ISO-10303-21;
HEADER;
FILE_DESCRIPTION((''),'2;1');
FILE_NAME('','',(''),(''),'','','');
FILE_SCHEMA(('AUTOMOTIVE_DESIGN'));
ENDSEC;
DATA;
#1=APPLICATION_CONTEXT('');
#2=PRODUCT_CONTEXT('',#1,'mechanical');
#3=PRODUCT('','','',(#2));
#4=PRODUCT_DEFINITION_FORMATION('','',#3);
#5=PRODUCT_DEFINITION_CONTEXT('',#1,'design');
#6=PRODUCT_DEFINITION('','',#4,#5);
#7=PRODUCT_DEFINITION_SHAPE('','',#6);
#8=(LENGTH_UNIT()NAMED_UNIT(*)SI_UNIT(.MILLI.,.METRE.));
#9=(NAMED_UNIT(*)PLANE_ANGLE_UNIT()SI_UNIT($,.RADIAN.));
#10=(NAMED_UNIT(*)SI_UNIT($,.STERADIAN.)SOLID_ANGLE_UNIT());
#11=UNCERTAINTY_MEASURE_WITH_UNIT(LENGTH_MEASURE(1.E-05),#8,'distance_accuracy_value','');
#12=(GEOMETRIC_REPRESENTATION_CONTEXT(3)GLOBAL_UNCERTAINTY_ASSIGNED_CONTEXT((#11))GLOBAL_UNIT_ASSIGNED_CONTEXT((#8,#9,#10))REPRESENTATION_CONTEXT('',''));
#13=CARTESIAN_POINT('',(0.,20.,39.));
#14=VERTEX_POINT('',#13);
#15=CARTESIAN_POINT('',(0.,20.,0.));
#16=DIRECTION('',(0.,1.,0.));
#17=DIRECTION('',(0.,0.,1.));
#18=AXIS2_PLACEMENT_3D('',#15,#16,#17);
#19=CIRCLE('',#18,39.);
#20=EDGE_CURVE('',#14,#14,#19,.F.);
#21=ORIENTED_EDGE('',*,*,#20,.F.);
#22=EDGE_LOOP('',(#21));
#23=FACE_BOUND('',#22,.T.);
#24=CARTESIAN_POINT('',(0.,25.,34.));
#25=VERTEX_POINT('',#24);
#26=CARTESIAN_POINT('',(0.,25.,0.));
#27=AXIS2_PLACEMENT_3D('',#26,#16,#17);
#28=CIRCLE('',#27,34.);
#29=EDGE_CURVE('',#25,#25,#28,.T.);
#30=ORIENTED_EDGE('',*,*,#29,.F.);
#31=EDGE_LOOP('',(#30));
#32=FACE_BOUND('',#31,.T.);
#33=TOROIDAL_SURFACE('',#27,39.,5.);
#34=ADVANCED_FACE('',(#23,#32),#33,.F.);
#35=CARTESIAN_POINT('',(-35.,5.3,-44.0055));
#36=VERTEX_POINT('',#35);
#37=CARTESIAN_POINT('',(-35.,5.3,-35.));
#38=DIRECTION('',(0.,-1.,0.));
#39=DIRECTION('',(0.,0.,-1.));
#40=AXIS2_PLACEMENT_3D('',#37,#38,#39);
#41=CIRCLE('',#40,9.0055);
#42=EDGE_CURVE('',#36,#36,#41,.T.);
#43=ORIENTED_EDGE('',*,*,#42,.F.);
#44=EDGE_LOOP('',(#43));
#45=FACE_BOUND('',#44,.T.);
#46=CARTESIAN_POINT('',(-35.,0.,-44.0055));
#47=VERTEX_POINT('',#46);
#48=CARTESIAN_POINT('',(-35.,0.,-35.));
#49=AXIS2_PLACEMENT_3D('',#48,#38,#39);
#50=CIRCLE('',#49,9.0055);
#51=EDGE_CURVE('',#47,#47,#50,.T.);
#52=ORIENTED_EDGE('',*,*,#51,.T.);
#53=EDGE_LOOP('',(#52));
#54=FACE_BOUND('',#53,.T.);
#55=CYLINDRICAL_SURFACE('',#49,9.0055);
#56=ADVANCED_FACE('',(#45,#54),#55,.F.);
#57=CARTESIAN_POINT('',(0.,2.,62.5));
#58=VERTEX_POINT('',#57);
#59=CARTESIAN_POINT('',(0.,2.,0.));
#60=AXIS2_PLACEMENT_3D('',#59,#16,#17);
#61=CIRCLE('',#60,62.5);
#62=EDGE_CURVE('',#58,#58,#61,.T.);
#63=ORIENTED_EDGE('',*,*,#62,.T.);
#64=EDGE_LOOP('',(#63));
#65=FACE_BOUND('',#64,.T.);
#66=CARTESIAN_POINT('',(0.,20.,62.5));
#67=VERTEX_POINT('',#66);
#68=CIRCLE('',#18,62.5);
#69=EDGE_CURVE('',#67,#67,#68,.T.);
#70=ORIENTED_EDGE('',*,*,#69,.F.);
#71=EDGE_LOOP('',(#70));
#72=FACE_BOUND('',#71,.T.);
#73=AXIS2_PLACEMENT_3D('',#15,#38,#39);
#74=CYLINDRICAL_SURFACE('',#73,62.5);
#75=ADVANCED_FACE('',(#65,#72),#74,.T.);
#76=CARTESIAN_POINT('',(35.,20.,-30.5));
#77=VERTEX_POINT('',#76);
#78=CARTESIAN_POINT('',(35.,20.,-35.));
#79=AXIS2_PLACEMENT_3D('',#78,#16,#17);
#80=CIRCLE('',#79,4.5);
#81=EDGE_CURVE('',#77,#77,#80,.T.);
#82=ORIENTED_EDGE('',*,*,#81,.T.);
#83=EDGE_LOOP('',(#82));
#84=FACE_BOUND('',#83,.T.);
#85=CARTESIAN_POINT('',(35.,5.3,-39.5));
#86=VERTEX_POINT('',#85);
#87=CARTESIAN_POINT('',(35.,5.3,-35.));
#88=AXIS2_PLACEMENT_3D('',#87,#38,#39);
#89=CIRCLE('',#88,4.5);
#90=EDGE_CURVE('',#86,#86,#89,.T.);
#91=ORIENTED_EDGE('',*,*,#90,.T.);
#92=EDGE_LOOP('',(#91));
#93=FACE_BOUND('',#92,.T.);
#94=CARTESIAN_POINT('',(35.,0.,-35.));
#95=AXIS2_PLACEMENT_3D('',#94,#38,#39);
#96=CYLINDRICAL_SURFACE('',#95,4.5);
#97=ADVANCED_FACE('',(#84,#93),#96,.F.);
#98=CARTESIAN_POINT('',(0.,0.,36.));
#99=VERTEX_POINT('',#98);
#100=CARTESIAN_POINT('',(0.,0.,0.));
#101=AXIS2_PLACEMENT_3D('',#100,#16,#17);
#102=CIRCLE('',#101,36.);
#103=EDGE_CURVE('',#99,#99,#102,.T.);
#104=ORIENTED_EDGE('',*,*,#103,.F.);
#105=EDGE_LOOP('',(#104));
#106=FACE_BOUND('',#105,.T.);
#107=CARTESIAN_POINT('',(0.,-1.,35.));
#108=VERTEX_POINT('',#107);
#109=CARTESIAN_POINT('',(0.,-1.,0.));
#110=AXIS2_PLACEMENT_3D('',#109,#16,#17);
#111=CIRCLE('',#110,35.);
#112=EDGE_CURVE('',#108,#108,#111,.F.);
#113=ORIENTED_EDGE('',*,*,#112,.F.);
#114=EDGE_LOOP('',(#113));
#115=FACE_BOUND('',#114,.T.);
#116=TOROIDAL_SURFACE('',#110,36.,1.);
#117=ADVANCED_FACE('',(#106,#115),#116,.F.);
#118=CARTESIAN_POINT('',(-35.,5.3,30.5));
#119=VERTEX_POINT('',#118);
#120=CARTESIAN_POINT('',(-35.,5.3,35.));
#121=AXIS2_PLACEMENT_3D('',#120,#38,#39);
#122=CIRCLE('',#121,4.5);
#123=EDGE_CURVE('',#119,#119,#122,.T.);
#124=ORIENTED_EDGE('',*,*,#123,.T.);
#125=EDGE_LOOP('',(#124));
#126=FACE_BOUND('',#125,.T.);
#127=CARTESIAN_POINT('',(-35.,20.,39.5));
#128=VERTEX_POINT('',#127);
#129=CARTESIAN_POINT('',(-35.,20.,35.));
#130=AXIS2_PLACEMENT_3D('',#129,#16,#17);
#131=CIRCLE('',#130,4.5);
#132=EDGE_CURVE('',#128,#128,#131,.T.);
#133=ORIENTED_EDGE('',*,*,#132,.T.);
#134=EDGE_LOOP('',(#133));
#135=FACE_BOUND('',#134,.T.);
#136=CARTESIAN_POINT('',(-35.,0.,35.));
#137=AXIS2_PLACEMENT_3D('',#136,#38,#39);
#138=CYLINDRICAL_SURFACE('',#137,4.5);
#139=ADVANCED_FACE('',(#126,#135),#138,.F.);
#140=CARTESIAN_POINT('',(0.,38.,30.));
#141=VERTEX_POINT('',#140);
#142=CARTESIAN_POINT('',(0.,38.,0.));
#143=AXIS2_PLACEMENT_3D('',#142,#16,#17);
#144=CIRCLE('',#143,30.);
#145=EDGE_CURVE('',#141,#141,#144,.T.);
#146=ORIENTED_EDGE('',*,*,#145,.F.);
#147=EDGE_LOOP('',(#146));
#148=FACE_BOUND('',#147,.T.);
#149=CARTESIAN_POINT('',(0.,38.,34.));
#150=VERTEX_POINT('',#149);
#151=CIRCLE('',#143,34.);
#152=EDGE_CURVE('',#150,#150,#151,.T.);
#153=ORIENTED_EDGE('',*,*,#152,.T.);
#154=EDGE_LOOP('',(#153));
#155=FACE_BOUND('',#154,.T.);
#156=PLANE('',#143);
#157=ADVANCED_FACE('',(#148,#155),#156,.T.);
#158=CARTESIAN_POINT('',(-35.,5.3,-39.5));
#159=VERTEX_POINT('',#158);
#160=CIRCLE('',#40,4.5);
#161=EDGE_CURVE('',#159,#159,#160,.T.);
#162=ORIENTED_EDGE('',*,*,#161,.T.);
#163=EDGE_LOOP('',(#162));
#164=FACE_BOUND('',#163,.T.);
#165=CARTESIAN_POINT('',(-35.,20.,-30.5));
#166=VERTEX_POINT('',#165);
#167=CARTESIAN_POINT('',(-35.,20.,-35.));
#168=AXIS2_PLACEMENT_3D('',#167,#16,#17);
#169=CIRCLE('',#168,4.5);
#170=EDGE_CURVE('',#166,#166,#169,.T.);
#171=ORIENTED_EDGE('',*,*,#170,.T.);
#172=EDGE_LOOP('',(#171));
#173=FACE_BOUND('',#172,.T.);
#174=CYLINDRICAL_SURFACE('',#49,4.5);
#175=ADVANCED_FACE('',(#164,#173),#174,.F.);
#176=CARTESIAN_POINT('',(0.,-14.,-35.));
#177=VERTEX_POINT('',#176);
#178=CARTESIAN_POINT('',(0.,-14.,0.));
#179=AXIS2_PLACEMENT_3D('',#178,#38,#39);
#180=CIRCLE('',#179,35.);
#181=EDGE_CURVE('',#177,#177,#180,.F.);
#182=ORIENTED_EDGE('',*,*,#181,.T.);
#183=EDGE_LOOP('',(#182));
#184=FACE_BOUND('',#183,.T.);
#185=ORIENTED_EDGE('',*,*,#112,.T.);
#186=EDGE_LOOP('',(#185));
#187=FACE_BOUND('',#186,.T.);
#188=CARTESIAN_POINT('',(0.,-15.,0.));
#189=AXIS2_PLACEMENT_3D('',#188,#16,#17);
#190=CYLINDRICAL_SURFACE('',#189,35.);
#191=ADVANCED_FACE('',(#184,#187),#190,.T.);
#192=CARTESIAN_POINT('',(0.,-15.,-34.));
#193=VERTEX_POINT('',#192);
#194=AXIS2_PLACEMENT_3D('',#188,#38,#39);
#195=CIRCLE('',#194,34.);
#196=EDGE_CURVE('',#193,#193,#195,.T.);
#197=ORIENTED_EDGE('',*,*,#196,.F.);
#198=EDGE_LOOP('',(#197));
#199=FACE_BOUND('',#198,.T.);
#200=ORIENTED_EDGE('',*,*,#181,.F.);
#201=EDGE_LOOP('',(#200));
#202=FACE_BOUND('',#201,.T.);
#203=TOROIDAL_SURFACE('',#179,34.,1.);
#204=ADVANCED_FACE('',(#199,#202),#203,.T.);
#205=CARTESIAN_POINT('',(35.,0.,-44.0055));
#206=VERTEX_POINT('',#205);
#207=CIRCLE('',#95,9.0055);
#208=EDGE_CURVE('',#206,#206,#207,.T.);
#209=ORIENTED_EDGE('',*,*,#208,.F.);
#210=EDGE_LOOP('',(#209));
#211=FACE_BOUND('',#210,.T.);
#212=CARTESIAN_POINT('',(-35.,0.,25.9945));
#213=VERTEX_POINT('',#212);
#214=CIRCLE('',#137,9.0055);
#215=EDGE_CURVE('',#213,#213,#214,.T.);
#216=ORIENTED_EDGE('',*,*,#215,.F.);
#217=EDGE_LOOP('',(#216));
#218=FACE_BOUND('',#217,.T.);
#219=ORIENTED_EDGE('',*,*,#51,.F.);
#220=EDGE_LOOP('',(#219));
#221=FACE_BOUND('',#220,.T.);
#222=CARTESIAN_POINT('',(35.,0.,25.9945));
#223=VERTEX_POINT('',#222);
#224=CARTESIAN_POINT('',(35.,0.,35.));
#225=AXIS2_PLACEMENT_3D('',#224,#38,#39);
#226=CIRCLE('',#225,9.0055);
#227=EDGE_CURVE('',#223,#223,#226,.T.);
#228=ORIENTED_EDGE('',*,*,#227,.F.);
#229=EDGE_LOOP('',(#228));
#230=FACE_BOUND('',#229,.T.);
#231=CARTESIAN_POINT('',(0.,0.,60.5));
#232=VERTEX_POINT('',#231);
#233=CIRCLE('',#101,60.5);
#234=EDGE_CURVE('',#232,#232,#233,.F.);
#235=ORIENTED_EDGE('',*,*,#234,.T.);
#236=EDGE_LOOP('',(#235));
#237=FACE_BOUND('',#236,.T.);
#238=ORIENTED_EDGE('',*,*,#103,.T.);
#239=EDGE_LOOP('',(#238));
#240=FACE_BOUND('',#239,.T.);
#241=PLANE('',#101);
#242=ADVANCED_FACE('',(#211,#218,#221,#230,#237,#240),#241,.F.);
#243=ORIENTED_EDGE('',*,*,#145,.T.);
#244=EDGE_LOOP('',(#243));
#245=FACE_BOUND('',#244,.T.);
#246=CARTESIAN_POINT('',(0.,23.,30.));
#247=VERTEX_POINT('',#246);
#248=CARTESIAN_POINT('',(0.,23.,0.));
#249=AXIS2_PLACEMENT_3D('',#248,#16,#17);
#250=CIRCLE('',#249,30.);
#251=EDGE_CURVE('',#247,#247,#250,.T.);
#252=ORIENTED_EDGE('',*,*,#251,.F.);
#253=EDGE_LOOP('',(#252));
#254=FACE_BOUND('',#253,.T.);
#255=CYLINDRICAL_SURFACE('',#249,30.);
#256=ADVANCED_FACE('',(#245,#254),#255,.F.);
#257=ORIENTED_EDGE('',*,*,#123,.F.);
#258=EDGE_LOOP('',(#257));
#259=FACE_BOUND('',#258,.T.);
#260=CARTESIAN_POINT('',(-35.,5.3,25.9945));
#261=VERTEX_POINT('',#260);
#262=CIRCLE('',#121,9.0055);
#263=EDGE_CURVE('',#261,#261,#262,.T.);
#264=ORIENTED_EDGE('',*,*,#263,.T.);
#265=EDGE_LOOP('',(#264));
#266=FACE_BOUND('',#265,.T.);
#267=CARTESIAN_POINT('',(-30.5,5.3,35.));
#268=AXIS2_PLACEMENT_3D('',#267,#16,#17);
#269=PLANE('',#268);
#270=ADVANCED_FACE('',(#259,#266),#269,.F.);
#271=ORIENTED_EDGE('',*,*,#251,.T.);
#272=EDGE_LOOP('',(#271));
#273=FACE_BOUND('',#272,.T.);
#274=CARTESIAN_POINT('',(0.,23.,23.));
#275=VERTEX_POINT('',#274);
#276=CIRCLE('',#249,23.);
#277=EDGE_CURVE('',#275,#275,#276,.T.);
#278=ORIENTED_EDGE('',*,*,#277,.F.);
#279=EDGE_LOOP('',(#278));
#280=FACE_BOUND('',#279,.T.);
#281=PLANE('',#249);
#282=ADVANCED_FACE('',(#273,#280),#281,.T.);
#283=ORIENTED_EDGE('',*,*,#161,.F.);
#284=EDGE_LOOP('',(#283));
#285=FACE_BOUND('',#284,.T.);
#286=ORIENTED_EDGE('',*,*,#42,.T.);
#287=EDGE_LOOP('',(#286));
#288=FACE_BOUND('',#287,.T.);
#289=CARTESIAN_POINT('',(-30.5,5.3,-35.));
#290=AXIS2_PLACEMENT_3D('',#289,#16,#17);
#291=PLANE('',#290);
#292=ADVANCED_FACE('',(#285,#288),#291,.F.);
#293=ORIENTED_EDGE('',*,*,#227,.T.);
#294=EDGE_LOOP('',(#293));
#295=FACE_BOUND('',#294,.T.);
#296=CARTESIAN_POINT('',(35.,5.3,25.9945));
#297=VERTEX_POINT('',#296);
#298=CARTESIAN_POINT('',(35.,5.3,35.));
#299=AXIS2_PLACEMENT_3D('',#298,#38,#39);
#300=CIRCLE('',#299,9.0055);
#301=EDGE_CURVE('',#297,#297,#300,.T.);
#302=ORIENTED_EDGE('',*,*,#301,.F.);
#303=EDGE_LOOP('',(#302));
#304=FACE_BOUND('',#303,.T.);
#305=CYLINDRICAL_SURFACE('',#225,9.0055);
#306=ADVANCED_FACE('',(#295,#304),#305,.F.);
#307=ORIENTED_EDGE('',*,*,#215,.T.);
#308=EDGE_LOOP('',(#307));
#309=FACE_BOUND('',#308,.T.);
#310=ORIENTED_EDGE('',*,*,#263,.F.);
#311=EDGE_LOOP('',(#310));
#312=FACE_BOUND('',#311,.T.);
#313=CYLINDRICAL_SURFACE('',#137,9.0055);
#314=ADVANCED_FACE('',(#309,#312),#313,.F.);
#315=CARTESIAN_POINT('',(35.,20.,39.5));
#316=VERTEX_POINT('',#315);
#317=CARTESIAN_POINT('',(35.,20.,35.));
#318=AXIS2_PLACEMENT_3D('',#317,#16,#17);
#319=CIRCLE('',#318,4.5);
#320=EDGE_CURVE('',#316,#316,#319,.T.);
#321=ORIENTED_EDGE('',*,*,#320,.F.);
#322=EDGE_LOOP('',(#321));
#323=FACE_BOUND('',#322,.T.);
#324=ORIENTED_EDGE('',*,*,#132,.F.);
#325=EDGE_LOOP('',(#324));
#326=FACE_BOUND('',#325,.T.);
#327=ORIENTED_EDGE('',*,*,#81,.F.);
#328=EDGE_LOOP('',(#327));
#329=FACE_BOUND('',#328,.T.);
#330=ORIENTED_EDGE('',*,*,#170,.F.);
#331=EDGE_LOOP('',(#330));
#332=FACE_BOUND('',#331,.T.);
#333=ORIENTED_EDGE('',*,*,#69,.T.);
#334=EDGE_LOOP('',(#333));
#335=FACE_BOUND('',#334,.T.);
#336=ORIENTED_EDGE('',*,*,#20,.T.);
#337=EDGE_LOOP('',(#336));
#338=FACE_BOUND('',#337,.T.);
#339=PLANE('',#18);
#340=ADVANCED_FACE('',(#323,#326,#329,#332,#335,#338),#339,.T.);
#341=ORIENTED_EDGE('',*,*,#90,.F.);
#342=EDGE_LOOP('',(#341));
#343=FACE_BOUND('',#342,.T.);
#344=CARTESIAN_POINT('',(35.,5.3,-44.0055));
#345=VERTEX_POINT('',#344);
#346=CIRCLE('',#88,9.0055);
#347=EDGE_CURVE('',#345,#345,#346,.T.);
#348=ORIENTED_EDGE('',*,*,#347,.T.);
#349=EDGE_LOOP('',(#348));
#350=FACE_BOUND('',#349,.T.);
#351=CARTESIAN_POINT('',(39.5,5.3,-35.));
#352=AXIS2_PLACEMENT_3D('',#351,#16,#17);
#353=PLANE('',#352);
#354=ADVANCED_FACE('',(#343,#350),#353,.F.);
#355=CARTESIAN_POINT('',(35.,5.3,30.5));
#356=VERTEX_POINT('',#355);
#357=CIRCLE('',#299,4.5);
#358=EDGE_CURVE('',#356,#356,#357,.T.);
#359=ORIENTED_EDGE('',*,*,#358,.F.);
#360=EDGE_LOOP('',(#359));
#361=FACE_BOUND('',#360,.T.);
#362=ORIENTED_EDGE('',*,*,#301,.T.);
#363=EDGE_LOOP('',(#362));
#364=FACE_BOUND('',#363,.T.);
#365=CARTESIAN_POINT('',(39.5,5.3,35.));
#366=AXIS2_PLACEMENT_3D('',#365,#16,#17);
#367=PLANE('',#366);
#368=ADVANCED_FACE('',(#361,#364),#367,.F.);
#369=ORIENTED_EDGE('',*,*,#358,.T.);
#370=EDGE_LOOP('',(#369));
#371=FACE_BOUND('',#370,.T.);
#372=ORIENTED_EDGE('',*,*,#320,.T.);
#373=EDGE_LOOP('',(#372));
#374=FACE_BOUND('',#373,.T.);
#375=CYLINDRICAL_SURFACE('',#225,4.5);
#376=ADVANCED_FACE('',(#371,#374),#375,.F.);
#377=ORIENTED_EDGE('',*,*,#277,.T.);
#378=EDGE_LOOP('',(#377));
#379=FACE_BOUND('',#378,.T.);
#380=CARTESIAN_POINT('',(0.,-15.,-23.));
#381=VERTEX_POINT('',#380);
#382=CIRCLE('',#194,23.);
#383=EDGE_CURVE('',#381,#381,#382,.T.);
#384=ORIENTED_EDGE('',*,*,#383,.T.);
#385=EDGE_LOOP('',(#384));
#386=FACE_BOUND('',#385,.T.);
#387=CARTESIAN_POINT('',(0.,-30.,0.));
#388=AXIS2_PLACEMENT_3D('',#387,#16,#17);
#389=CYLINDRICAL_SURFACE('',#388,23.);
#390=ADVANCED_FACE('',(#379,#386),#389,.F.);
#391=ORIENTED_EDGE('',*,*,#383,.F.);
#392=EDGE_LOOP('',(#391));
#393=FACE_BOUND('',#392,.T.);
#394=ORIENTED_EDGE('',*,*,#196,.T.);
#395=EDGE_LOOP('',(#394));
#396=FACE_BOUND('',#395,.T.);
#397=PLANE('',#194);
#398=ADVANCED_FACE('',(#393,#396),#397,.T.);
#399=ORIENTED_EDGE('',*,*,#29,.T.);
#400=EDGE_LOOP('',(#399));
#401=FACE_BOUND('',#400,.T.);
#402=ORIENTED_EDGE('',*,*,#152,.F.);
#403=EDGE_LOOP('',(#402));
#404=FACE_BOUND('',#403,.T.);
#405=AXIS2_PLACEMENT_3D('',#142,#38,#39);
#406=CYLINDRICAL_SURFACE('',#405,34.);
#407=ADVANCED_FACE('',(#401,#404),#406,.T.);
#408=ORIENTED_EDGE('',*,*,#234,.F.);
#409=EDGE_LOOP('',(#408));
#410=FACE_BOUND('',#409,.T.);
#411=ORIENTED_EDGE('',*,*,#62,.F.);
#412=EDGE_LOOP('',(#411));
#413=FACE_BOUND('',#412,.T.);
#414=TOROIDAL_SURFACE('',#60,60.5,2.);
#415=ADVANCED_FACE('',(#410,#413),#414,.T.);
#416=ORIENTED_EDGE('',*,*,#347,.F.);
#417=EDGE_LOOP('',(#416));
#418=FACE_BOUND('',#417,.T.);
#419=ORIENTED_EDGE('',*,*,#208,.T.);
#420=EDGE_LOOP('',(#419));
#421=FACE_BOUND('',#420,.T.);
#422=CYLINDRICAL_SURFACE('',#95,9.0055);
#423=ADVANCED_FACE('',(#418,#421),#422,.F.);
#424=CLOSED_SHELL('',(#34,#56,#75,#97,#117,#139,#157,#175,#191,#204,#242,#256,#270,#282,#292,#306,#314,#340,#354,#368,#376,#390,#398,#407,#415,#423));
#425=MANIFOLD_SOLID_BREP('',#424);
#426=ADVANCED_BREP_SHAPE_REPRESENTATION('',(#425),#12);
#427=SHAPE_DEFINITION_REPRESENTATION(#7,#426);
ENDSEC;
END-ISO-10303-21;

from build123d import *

# Parameters (mm, degrees)
SKETCH1_R                               = 62.5
BOSS_EXTRUDE1_DEPTH                     = 20
SKETCH2_R                               = 34
BOSS_EXTRUDE2_DEPTH                     = 18
SKETCH6_R                               = 30
CUT_EXTRUDE1_DEPTH                      = 15
FILLET1_R                               = 5
CBORE_FOR_M8_HEX_HEAD_BOLT1_D           = 9
CBORE_FOR_M8_HEX_HEAD_BOLT1_CBORE_D     = 18.011
CBORE_FOR_M8_HEX_HEAD_BOLT1_CBORE_DEPTH = 5.3
FILLET2_R                               = 2
SKETCH10_R                              = 23
CUT_EXTRUDE2_DEPTH                      = 53
SKETCH11_R                              = 35
SKETCH11_R_2                            = 23
BOSS_EXTRUDE3_DEPTH                     = 15
FILLET3_R                               = 1


with BuildPart() as part:
    # Sketch1 → Boss-Extrude1 (new body)
    with BuildSketch(Plane(origin=(0, 0, 0), x_dir=(1, 0, 0), z_dir=(0, 1, 0))):
        with Locations(Location((0, 0, 0), (0, 0, 270))):
            Circle(SKETCH1_R)
    extrude(amount=BOSS_EXTRUDE1_DEPTH)

    # Sketch2 → Boss-Extrude2 (add)
    with BuildSketch(Plane(origin=(0, 20, 0), x_dir=(1, 0, 0), z_dir=(0, 1, 0))):
        with Locations(Location((0, 0, 0), (0, 0, 270))):
            Circle(SKETCH2_R)
    extrude(amount=BOSS_EXTRUDE2_DEPTH)

    # Sketch6 → Cut-Extrude1 (cut)
    with BuildSketch(Plane(origin=(0, 38, 0), x_dir=(1, 0, 0), z_dir=(0, 1, 0))):
        with Locations(Location((0, 0, 0), (0, 0, 270))):
            Circle(SKETCH6_R)
    extrude(amount=-CUT_EXTRUDE1_DEPTH, mode=Mode.SUBTRACT)

    # Fillet1
    fillet1_edges = [part.edges().sort_by_distance(p)[0] for p in [
        (0, 20, -34),
    ]]
    fillet(fillet1_edges, radius=FILLET1_R)

    # CBORE for M8 Hex Head Bolt1 (through all)
    with Locations(Plane(origin=(-35, 0, 35), x_dir=(0, 0, -1), z_dir=(0, -1, 0))):
        with Locations((0, 0), (0, 70), (70, 70), (70, 0)):
            CounterBoreHole(CBORE_FOR_M8_HEX_HEAD_BOLT1_D / 2, CBORE_FOR_M8_HEX_HEAD_BOLT1_CBORE_D / 2, CBORE_FOR_M8_HEX_HEAD_BOLT1_CBORE_DEPTH)

    # Fillet2
    fillet2_edges = [part.edges().sort_by_distance(p)[0] for p in [
        (0, 0, -62.5),
    ]]
    fillet(fillet2_edges, radius=FILLET2_R)

    # Sketch10 → Cut-Extrude2 (cut)
    with BuildSketch(Plane(origin=(0, 23, 0), x_dir=(1, 0, 0), z_dir=(0, 1, 0))):
        with Locations(Location((0, 0, 0), (0, 0, 270))):
            Circle(SKETCH10_R)
    extrude(amount=-CUT_EXTRUDE2_DEPTH, mode=Mode.SUBTRACT)

    # Sketch11 → Boss-Extrude3 (add)
    with BuildSketch(Plane.XZ):
        with Locations(Location((0, 0, 0), (0, 0, 90))):
            Circle(SKETCH11_R)
        with Locations(Location((0, 0, 0), (0, 0, 90))):
            Circle(SKETCH11_R_2, mode=Mode.SUBTRACT)
    extrude(amount=BOSS_EXTRUDE3_DEPTH)

    # Fillet3
    fillet3_edges = [part.edges().sort_by_distance(p)[0] for p in [
        (0, 0, -35),
        (0, -15, -35),
    ]]
    fillet(fillet3_edges, radius=FILLET3_R)


solid = part.part
